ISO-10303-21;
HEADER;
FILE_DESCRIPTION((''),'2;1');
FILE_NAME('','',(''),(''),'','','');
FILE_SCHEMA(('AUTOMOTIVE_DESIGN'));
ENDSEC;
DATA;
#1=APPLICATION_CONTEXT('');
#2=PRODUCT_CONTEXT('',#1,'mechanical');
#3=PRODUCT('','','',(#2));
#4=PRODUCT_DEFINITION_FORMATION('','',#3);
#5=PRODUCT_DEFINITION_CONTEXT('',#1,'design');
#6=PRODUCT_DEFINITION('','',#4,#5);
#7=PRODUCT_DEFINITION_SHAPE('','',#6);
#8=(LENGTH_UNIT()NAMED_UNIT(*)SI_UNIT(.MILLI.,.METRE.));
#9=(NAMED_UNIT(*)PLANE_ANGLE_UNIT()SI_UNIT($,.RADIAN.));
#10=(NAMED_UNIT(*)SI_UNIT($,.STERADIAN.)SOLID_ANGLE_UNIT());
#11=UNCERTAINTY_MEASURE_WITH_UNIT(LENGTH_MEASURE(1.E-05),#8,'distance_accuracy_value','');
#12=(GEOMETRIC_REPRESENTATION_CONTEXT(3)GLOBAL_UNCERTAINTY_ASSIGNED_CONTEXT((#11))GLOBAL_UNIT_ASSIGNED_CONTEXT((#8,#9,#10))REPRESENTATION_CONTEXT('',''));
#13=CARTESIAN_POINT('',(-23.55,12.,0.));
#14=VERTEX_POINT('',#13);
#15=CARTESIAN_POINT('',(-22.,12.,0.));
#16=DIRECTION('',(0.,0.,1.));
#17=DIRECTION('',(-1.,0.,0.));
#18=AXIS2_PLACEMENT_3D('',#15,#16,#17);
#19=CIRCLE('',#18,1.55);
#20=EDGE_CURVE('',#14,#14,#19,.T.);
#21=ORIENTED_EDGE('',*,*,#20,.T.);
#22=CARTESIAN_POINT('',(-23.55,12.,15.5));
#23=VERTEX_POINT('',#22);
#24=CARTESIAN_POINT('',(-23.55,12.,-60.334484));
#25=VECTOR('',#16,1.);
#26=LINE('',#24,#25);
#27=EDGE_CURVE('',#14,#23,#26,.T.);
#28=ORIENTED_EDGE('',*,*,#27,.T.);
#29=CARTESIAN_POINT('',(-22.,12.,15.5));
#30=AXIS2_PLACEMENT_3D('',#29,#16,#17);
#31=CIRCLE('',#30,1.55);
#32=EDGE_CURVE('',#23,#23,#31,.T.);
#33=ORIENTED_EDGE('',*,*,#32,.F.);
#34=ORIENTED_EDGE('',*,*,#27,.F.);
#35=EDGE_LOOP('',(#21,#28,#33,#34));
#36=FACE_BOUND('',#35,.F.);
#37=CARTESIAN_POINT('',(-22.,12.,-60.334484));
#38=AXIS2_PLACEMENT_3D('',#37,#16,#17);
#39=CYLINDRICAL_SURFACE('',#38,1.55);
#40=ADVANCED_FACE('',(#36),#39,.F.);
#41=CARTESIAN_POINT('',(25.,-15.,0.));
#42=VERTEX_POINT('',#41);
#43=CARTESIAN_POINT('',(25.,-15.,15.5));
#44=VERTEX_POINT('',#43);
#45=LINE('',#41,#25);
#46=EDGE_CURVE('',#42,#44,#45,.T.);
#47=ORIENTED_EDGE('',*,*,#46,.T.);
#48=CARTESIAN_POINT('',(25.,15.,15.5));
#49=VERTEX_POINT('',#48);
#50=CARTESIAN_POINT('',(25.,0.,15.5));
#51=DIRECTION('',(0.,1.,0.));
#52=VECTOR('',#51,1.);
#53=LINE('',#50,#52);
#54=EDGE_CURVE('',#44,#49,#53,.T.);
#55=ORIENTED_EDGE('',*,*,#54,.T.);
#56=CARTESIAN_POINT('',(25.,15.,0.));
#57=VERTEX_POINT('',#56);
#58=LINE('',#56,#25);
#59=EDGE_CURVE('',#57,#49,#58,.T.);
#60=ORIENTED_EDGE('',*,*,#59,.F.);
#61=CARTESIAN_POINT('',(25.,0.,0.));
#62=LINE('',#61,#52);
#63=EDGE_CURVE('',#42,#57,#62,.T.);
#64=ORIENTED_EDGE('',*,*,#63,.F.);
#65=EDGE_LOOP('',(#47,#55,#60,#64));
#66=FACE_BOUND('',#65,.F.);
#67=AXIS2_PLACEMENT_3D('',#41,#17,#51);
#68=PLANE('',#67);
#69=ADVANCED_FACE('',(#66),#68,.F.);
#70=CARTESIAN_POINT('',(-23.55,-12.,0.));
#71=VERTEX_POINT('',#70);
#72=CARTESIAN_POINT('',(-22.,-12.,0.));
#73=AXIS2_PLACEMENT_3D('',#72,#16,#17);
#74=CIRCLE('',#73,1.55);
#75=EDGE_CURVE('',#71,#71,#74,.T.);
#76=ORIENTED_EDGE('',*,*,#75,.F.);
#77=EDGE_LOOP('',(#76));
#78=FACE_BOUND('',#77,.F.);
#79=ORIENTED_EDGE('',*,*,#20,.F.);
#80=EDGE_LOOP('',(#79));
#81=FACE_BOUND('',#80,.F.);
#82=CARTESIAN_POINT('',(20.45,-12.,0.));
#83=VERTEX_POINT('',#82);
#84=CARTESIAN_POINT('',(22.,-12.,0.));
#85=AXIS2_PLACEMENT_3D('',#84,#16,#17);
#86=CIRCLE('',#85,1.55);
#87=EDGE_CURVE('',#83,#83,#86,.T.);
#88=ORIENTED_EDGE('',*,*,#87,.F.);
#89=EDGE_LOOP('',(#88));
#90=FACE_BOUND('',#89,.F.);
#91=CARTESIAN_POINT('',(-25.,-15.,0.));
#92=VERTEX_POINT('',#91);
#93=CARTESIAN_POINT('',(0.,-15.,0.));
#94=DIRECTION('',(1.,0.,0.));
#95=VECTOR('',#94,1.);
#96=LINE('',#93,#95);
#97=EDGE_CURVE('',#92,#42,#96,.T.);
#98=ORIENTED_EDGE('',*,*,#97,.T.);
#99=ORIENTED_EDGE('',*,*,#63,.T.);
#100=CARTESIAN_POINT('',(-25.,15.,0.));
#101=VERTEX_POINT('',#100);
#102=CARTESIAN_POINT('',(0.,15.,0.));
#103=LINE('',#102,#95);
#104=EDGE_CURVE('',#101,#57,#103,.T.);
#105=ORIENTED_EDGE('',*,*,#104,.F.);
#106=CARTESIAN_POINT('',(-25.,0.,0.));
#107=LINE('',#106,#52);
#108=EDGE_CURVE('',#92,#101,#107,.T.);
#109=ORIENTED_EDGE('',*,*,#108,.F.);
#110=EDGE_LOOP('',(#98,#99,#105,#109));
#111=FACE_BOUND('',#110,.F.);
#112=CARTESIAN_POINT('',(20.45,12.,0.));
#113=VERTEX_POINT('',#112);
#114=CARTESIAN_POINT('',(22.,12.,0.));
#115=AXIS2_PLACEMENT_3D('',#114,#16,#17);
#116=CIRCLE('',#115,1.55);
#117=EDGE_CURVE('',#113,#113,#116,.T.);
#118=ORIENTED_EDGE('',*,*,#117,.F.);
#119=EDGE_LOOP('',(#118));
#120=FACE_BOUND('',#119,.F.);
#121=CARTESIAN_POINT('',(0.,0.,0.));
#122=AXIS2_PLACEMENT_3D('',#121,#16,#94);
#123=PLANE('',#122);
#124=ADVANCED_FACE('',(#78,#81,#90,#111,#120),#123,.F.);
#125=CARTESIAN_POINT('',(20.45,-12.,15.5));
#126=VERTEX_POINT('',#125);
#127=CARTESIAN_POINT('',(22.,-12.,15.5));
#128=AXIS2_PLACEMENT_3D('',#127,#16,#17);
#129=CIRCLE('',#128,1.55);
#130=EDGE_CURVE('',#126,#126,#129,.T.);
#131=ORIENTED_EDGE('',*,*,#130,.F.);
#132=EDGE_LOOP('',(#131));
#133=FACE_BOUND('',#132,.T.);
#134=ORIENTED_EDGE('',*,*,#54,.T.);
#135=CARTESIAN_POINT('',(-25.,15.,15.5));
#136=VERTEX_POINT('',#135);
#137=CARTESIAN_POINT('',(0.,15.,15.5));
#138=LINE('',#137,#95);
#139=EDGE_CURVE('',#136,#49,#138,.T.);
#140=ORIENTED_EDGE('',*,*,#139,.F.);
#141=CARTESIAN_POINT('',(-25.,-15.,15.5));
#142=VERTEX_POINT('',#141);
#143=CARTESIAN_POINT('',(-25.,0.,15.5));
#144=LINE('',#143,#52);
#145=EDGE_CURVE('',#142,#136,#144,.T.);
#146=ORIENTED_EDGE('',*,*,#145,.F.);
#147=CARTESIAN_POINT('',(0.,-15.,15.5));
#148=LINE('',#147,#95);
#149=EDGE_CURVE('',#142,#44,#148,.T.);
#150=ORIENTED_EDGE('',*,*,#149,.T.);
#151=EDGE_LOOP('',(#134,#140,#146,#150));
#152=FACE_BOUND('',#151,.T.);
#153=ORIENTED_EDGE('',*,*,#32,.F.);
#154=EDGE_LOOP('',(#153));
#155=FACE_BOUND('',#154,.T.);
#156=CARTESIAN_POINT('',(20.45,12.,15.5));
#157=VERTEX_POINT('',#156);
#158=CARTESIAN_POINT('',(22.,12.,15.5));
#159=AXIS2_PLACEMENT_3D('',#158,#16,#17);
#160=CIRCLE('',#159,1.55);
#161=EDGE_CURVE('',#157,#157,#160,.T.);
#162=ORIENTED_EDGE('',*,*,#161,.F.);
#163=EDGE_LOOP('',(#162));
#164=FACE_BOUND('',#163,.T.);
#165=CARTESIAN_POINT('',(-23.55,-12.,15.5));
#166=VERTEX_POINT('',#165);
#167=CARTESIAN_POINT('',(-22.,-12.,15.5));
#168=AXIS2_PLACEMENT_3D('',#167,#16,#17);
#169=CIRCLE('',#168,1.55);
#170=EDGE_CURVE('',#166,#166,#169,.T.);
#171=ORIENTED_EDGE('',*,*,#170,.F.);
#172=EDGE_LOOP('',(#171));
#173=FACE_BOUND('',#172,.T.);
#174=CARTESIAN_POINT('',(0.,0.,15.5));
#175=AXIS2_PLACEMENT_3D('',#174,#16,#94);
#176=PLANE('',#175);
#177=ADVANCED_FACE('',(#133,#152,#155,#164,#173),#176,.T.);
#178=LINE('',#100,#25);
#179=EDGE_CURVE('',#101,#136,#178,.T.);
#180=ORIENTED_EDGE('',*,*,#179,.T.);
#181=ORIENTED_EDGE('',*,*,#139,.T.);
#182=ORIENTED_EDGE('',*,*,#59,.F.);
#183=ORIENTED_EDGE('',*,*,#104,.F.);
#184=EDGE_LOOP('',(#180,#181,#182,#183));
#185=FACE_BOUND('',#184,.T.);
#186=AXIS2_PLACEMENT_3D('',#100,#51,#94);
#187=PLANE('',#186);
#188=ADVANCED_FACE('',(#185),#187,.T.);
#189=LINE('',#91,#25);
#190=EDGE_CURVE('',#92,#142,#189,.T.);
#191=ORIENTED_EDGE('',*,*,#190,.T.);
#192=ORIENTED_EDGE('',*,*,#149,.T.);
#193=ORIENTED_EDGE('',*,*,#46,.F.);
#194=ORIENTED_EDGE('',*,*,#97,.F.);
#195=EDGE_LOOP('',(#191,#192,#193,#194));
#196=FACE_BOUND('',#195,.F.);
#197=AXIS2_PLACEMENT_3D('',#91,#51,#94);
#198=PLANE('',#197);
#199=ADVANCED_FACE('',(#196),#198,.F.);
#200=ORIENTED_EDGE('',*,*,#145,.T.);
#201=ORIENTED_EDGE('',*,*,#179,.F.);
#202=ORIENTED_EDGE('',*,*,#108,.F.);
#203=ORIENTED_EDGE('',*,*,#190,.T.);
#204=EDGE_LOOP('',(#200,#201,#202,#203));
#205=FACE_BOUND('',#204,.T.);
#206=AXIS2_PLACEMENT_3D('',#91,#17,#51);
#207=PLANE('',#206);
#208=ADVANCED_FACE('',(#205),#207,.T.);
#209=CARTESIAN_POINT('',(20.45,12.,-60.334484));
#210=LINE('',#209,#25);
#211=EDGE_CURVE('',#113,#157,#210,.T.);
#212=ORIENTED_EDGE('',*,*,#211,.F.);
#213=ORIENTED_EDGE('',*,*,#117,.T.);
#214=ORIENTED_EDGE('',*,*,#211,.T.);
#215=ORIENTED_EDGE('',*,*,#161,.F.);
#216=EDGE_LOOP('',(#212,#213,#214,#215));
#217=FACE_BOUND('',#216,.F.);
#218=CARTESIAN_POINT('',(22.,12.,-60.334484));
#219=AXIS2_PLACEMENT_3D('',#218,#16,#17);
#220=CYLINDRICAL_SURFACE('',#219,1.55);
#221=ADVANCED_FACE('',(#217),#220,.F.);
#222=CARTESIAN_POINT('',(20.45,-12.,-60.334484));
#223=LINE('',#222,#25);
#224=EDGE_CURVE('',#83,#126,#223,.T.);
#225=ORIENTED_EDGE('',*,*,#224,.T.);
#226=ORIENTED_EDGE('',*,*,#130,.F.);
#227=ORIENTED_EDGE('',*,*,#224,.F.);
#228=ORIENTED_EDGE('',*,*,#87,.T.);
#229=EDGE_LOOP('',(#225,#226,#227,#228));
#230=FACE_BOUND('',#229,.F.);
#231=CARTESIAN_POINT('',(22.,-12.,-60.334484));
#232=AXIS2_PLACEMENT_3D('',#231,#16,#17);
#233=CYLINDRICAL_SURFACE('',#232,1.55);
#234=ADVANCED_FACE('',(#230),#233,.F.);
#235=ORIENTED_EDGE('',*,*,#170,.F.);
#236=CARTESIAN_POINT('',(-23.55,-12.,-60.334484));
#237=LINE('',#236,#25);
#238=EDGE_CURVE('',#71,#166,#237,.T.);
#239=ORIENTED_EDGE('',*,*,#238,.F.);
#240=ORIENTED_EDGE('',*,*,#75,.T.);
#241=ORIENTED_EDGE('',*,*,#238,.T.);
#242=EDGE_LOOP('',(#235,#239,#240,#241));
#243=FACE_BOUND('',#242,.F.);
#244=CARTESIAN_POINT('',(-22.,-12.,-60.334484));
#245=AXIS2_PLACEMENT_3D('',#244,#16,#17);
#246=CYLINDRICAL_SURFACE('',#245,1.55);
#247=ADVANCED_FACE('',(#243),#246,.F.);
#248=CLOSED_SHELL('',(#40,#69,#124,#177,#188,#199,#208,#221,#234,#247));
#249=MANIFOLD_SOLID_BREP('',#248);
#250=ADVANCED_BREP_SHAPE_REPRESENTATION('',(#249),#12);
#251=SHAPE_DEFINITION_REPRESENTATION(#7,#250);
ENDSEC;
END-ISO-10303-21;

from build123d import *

# Parameters (mm, degrees)
F0_W     = 50
F0_H     = 30
F1_DEPTH = 15.5
F2_D     = 3.1


with BuildPart() as f1:
    # F0 (on Top) → F1 (new body)
    with BuildSketch(Plane.XY):
        Rectangle(F0_W, F0_H)
    extrude(amount=F1_DEPTH)

    # F2 (through all)
    with Locations(Plane(origin=(0, 0, 0), x_dir=(1, 0, 0), z_dir=(0, 0, -1))):
        with Locations((-22, 12), (22, 12), (22, -12), (-22, -12)):
            Hole(F2_D / 2)


solid = f1.part
